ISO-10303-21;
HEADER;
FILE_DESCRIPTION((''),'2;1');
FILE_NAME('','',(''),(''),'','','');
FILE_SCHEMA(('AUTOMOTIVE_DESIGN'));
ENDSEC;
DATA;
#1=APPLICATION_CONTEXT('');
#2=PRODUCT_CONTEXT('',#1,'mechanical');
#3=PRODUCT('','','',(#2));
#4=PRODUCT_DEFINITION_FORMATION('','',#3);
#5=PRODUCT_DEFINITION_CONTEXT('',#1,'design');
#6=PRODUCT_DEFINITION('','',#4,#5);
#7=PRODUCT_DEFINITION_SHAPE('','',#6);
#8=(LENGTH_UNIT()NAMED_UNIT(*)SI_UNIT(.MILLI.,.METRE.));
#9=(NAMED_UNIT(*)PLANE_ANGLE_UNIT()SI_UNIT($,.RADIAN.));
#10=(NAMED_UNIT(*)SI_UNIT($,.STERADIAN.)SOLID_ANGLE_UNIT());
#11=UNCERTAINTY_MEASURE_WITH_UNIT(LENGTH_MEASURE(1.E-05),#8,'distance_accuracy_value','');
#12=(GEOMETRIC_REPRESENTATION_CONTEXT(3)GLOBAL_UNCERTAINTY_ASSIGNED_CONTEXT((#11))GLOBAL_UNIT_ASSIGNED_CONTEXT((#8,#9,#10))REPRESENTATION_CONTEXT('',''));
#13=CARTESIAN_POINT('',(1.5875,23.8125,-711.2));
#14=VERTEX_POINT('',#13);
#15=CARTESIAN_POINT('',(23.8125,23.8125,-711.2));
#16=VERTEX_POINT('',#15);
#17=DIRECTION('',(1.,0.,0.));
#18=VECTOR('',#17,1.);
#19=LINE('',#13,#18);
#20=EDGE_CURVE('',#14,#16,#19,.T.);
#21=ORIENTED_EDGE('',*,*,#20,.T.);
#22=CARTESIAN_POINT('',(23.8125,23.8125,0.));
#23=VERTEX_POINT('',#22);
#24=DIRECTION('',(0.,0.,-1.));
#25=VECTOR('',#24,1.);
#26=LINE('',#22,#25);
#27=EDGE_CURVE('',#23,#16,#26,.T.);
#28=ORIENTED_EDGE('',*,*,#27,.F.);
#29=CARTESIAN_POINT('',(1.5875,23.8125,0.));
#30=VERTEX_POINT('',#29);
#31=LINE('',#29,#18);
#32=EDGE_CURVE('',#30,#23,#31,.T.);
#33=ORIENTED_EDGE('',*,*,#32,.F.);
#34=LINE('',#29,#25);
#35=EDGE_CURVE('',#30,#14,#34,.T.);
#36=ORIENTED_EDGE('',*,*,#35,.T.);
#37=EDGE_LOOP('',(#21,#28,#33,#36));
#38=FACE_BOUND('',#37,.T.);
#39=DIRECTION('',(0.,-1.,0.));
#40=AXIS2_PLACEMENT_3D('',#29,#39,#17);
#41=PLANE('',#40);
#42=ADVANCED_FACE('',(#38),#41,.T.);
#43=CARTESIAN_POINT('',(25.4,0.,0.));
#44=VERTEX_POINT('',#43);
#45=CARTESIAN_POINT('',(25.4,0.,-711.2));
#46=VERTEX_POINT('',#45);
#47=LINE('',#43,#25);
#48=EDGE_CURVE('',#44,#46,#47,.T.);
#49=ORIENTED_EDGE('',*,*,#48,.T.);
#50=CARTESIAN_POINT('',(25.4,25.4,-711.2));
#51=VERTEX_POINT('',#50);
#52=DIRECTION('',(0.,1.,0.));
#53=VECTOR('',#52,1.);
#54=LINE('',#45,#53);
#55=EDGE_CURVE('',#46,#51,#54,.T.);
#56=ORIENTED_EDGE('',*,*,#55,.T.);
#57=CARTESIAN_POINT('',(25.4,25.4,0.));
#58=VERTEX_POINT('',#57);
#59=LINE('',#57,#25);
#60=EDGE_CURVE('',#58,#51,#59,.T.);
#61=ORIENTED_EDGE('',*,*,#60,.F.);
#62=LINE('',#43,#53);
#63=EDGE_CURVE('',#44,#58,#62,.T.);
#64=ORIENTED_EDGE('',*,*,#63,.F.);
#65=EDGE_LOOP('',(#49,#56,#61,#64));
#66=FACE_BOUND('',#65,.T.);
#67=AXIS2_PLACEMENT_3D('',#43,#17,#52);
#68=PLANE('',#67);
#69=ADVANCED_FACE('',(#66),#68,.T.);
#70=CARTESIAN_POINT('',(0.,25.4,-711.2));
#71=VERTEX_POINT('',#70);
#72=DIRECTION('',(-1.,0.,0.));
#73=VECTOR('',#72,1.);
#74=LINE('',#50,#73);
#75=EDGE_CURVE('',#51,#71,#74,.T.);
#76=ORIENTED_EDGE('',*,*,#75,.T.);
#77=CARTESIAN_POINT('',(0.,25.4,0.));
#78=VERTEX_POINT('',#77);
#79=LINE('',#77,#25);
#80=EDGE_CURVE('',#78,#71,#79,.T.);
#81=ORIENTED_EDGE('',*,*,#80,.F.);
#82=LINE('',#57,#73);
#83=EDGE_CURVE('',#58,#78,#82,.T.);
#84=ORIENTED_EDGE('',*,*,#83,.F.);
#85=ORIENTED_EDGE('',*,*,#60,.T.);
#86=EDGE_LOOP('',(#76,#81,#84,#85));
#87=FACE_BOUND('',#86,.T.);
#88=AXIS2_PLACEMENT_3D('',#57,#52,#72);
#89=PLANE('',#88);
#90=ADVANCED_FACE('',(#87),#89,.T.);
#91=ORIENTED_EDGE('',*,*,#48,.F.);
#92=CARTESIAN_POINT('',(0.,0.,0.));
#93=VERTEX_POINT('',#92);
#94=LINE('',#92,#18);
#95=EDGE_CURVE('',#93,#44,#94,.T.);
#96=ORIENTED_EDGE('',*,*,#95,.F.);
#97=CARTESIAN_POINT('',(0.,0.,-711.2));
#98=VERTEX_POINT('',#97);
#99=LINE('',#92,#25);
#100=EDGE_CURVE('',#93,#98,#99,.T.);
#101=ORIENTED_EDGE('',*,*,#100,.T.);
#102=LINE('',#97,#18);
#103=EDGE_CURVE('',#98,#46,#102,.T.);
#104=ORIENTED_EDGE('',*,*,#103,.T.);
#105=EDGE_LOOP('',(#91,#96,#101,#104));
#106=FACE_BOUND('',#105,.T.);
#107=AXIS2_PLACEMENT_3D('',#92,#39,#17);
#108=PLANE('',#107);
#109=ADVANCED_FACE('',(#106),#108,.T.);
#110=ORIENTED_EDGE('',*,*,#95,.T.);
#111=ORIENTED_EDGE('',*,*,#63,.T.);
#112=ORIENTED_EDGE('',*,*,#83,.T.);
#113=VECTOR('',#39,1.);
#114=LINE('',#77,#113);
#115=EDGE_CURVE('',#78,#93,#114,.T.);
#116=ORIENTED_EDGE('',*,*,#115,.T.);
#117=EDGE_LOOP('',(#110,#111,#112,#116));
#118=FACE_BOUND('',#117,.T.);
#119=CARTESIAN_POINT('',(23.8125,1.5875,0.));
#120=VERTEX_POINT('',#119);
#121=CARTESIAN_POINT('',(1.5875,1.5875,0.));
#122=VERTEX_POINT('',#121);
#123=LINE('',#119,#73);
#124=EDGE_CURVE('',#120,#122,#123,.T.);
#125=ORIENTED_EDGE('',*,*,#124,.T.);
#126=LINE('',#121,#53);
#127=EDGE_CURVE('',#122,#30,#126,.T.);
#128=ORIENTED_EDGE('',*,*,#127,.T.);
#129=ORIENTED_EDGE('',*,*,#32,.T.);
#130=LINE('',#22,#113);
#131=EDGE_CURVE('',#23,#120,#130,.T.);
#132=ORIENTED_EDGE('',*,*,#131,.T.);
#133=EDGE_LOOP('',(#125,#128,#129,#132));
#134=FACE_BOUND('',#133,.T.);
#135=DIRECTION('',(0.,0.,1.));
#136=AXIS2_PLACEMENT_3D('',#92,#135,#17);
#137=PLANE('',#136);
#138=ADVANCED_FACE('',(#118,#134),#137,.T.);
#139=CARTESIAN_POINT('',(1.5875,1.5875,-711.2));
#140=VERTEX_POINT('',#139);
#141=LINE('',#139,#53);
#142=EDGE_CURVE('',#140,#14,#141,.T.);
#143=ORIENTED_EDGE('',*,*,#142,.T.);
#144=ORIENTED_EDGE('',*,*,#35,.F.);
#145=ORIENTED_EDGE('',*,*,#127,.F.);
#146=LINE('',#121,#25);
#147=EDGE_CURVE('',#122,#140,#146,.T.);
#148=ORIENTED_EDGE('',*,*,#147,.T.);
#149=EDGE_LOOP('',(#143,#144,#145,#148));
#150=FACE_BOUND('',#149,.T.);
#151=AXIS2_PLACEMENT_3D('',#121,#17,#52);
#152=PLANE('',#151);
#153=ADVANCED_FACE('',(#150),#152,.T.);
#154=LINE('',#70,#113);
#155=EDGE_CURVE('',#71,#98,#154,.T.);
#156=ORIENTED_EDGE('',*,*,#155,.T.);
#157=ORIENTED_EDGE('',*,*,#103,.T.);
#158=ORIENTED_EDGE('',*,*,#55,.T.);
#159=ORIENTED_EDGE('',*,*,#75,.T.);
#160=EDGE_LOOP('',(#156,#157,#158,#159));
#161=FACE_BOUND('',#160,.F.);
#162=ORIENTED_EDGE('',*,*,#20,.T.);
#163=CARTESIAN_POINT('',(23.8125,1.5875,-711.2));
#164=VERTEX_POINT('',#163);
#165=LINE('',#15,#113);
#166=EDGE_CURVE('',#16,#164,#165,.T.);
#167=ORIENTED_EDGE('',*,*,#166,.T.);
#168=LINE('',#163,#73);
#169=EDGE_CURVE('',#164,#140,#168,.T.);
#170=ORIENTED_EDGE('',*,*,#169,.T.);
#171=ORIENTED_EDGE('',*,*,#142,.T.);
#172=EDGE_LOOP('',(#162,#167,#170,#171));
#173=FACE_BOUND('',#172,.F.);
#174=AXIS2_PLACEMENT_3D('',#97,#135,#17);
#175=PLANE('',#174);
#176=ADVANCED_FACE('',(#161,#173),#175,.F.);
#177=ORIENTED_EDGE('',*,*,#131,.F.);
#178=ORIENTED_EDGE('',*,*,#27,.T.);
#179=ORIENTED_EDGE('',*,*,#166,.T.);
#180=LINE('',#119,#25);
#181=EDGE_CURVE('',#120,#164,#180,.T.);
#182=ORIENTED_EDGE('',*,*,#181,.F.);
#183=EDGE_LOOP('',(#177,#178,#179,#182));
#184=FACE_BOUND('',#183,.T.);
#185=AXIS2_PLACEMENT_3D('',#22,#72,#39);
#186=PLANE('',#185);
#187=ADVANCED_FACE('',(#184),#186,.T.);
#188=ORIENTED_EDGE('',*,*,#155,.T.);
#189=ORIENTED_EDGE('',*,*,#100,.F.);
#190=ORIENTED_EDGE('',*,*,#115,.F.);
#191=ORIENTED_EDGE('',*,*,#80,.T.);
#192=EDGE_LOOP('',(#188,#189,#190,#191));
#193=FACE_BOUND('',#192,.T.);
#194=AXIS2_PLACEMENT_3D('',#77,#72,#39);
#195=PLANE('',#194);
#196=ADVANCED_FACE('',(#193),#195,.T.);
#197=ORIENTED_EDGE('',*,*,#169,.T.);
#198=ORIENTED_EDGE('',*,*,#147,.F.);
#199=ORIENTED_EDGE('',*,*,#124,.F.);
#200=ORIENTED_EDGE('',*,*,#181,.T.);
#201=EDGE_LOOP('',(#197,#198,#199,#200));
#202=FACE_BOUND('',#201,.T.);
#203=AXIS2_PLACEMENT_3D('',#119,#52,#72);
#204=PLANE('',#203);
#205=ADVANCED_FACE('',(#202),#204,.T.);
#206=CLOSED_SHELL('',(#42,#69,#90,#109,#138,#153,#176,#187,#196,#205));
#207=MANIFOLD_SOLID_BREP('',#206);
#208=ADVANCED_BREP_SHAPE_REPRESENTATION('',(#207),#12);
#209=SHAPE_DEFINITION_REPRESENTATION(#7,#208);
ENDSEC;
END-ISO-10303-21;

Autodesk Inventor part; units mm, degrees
ref_plane "YZ Plane" through (0, 0, 0) normal (1, 0, 0) x (0, 1, 0)
ref_plane "XZ Plane" through (0, 0, 0) normal (0, 1, 0) x (-1, 0, 0)
ref_plane "XY Plane" through (0, 0, 0) normal (0, 0, 1) x (1, 0, 0)
sketch "Sketch1" plane through (0, 0, 0) normal (0, 0, 1) x (1, 0, 0)
  line L0 (0, 0) -> (25.4, 0)
  line L1 (25.4, 0) -> (25.4, 25.4)
  line L2 (25.4, 25.4) -> (0, 25.4)
  line L3 (0, 25.4) -> (0, 0)
  line L4 (1.5875, 23.8125) -> (23.8125, 23.8125)
  line L5 (23.8125, 23.8125) -> (23.8125, 1.5875)
  line L6 (23.8125, 1.5875) -> (1.5875, 1.5875)
  line L7 (1.5875, 1.5875) -> (1.5875, 23.8125)
  dimension "d0" = 25.4
  dimension "d1" = 25.4
  dimension "d2" = 1.5875
extrude "Extrusion1" add sketch "Sketch1" against normal blind 711.2
properties part number "1tube_28_layer1_outside"
